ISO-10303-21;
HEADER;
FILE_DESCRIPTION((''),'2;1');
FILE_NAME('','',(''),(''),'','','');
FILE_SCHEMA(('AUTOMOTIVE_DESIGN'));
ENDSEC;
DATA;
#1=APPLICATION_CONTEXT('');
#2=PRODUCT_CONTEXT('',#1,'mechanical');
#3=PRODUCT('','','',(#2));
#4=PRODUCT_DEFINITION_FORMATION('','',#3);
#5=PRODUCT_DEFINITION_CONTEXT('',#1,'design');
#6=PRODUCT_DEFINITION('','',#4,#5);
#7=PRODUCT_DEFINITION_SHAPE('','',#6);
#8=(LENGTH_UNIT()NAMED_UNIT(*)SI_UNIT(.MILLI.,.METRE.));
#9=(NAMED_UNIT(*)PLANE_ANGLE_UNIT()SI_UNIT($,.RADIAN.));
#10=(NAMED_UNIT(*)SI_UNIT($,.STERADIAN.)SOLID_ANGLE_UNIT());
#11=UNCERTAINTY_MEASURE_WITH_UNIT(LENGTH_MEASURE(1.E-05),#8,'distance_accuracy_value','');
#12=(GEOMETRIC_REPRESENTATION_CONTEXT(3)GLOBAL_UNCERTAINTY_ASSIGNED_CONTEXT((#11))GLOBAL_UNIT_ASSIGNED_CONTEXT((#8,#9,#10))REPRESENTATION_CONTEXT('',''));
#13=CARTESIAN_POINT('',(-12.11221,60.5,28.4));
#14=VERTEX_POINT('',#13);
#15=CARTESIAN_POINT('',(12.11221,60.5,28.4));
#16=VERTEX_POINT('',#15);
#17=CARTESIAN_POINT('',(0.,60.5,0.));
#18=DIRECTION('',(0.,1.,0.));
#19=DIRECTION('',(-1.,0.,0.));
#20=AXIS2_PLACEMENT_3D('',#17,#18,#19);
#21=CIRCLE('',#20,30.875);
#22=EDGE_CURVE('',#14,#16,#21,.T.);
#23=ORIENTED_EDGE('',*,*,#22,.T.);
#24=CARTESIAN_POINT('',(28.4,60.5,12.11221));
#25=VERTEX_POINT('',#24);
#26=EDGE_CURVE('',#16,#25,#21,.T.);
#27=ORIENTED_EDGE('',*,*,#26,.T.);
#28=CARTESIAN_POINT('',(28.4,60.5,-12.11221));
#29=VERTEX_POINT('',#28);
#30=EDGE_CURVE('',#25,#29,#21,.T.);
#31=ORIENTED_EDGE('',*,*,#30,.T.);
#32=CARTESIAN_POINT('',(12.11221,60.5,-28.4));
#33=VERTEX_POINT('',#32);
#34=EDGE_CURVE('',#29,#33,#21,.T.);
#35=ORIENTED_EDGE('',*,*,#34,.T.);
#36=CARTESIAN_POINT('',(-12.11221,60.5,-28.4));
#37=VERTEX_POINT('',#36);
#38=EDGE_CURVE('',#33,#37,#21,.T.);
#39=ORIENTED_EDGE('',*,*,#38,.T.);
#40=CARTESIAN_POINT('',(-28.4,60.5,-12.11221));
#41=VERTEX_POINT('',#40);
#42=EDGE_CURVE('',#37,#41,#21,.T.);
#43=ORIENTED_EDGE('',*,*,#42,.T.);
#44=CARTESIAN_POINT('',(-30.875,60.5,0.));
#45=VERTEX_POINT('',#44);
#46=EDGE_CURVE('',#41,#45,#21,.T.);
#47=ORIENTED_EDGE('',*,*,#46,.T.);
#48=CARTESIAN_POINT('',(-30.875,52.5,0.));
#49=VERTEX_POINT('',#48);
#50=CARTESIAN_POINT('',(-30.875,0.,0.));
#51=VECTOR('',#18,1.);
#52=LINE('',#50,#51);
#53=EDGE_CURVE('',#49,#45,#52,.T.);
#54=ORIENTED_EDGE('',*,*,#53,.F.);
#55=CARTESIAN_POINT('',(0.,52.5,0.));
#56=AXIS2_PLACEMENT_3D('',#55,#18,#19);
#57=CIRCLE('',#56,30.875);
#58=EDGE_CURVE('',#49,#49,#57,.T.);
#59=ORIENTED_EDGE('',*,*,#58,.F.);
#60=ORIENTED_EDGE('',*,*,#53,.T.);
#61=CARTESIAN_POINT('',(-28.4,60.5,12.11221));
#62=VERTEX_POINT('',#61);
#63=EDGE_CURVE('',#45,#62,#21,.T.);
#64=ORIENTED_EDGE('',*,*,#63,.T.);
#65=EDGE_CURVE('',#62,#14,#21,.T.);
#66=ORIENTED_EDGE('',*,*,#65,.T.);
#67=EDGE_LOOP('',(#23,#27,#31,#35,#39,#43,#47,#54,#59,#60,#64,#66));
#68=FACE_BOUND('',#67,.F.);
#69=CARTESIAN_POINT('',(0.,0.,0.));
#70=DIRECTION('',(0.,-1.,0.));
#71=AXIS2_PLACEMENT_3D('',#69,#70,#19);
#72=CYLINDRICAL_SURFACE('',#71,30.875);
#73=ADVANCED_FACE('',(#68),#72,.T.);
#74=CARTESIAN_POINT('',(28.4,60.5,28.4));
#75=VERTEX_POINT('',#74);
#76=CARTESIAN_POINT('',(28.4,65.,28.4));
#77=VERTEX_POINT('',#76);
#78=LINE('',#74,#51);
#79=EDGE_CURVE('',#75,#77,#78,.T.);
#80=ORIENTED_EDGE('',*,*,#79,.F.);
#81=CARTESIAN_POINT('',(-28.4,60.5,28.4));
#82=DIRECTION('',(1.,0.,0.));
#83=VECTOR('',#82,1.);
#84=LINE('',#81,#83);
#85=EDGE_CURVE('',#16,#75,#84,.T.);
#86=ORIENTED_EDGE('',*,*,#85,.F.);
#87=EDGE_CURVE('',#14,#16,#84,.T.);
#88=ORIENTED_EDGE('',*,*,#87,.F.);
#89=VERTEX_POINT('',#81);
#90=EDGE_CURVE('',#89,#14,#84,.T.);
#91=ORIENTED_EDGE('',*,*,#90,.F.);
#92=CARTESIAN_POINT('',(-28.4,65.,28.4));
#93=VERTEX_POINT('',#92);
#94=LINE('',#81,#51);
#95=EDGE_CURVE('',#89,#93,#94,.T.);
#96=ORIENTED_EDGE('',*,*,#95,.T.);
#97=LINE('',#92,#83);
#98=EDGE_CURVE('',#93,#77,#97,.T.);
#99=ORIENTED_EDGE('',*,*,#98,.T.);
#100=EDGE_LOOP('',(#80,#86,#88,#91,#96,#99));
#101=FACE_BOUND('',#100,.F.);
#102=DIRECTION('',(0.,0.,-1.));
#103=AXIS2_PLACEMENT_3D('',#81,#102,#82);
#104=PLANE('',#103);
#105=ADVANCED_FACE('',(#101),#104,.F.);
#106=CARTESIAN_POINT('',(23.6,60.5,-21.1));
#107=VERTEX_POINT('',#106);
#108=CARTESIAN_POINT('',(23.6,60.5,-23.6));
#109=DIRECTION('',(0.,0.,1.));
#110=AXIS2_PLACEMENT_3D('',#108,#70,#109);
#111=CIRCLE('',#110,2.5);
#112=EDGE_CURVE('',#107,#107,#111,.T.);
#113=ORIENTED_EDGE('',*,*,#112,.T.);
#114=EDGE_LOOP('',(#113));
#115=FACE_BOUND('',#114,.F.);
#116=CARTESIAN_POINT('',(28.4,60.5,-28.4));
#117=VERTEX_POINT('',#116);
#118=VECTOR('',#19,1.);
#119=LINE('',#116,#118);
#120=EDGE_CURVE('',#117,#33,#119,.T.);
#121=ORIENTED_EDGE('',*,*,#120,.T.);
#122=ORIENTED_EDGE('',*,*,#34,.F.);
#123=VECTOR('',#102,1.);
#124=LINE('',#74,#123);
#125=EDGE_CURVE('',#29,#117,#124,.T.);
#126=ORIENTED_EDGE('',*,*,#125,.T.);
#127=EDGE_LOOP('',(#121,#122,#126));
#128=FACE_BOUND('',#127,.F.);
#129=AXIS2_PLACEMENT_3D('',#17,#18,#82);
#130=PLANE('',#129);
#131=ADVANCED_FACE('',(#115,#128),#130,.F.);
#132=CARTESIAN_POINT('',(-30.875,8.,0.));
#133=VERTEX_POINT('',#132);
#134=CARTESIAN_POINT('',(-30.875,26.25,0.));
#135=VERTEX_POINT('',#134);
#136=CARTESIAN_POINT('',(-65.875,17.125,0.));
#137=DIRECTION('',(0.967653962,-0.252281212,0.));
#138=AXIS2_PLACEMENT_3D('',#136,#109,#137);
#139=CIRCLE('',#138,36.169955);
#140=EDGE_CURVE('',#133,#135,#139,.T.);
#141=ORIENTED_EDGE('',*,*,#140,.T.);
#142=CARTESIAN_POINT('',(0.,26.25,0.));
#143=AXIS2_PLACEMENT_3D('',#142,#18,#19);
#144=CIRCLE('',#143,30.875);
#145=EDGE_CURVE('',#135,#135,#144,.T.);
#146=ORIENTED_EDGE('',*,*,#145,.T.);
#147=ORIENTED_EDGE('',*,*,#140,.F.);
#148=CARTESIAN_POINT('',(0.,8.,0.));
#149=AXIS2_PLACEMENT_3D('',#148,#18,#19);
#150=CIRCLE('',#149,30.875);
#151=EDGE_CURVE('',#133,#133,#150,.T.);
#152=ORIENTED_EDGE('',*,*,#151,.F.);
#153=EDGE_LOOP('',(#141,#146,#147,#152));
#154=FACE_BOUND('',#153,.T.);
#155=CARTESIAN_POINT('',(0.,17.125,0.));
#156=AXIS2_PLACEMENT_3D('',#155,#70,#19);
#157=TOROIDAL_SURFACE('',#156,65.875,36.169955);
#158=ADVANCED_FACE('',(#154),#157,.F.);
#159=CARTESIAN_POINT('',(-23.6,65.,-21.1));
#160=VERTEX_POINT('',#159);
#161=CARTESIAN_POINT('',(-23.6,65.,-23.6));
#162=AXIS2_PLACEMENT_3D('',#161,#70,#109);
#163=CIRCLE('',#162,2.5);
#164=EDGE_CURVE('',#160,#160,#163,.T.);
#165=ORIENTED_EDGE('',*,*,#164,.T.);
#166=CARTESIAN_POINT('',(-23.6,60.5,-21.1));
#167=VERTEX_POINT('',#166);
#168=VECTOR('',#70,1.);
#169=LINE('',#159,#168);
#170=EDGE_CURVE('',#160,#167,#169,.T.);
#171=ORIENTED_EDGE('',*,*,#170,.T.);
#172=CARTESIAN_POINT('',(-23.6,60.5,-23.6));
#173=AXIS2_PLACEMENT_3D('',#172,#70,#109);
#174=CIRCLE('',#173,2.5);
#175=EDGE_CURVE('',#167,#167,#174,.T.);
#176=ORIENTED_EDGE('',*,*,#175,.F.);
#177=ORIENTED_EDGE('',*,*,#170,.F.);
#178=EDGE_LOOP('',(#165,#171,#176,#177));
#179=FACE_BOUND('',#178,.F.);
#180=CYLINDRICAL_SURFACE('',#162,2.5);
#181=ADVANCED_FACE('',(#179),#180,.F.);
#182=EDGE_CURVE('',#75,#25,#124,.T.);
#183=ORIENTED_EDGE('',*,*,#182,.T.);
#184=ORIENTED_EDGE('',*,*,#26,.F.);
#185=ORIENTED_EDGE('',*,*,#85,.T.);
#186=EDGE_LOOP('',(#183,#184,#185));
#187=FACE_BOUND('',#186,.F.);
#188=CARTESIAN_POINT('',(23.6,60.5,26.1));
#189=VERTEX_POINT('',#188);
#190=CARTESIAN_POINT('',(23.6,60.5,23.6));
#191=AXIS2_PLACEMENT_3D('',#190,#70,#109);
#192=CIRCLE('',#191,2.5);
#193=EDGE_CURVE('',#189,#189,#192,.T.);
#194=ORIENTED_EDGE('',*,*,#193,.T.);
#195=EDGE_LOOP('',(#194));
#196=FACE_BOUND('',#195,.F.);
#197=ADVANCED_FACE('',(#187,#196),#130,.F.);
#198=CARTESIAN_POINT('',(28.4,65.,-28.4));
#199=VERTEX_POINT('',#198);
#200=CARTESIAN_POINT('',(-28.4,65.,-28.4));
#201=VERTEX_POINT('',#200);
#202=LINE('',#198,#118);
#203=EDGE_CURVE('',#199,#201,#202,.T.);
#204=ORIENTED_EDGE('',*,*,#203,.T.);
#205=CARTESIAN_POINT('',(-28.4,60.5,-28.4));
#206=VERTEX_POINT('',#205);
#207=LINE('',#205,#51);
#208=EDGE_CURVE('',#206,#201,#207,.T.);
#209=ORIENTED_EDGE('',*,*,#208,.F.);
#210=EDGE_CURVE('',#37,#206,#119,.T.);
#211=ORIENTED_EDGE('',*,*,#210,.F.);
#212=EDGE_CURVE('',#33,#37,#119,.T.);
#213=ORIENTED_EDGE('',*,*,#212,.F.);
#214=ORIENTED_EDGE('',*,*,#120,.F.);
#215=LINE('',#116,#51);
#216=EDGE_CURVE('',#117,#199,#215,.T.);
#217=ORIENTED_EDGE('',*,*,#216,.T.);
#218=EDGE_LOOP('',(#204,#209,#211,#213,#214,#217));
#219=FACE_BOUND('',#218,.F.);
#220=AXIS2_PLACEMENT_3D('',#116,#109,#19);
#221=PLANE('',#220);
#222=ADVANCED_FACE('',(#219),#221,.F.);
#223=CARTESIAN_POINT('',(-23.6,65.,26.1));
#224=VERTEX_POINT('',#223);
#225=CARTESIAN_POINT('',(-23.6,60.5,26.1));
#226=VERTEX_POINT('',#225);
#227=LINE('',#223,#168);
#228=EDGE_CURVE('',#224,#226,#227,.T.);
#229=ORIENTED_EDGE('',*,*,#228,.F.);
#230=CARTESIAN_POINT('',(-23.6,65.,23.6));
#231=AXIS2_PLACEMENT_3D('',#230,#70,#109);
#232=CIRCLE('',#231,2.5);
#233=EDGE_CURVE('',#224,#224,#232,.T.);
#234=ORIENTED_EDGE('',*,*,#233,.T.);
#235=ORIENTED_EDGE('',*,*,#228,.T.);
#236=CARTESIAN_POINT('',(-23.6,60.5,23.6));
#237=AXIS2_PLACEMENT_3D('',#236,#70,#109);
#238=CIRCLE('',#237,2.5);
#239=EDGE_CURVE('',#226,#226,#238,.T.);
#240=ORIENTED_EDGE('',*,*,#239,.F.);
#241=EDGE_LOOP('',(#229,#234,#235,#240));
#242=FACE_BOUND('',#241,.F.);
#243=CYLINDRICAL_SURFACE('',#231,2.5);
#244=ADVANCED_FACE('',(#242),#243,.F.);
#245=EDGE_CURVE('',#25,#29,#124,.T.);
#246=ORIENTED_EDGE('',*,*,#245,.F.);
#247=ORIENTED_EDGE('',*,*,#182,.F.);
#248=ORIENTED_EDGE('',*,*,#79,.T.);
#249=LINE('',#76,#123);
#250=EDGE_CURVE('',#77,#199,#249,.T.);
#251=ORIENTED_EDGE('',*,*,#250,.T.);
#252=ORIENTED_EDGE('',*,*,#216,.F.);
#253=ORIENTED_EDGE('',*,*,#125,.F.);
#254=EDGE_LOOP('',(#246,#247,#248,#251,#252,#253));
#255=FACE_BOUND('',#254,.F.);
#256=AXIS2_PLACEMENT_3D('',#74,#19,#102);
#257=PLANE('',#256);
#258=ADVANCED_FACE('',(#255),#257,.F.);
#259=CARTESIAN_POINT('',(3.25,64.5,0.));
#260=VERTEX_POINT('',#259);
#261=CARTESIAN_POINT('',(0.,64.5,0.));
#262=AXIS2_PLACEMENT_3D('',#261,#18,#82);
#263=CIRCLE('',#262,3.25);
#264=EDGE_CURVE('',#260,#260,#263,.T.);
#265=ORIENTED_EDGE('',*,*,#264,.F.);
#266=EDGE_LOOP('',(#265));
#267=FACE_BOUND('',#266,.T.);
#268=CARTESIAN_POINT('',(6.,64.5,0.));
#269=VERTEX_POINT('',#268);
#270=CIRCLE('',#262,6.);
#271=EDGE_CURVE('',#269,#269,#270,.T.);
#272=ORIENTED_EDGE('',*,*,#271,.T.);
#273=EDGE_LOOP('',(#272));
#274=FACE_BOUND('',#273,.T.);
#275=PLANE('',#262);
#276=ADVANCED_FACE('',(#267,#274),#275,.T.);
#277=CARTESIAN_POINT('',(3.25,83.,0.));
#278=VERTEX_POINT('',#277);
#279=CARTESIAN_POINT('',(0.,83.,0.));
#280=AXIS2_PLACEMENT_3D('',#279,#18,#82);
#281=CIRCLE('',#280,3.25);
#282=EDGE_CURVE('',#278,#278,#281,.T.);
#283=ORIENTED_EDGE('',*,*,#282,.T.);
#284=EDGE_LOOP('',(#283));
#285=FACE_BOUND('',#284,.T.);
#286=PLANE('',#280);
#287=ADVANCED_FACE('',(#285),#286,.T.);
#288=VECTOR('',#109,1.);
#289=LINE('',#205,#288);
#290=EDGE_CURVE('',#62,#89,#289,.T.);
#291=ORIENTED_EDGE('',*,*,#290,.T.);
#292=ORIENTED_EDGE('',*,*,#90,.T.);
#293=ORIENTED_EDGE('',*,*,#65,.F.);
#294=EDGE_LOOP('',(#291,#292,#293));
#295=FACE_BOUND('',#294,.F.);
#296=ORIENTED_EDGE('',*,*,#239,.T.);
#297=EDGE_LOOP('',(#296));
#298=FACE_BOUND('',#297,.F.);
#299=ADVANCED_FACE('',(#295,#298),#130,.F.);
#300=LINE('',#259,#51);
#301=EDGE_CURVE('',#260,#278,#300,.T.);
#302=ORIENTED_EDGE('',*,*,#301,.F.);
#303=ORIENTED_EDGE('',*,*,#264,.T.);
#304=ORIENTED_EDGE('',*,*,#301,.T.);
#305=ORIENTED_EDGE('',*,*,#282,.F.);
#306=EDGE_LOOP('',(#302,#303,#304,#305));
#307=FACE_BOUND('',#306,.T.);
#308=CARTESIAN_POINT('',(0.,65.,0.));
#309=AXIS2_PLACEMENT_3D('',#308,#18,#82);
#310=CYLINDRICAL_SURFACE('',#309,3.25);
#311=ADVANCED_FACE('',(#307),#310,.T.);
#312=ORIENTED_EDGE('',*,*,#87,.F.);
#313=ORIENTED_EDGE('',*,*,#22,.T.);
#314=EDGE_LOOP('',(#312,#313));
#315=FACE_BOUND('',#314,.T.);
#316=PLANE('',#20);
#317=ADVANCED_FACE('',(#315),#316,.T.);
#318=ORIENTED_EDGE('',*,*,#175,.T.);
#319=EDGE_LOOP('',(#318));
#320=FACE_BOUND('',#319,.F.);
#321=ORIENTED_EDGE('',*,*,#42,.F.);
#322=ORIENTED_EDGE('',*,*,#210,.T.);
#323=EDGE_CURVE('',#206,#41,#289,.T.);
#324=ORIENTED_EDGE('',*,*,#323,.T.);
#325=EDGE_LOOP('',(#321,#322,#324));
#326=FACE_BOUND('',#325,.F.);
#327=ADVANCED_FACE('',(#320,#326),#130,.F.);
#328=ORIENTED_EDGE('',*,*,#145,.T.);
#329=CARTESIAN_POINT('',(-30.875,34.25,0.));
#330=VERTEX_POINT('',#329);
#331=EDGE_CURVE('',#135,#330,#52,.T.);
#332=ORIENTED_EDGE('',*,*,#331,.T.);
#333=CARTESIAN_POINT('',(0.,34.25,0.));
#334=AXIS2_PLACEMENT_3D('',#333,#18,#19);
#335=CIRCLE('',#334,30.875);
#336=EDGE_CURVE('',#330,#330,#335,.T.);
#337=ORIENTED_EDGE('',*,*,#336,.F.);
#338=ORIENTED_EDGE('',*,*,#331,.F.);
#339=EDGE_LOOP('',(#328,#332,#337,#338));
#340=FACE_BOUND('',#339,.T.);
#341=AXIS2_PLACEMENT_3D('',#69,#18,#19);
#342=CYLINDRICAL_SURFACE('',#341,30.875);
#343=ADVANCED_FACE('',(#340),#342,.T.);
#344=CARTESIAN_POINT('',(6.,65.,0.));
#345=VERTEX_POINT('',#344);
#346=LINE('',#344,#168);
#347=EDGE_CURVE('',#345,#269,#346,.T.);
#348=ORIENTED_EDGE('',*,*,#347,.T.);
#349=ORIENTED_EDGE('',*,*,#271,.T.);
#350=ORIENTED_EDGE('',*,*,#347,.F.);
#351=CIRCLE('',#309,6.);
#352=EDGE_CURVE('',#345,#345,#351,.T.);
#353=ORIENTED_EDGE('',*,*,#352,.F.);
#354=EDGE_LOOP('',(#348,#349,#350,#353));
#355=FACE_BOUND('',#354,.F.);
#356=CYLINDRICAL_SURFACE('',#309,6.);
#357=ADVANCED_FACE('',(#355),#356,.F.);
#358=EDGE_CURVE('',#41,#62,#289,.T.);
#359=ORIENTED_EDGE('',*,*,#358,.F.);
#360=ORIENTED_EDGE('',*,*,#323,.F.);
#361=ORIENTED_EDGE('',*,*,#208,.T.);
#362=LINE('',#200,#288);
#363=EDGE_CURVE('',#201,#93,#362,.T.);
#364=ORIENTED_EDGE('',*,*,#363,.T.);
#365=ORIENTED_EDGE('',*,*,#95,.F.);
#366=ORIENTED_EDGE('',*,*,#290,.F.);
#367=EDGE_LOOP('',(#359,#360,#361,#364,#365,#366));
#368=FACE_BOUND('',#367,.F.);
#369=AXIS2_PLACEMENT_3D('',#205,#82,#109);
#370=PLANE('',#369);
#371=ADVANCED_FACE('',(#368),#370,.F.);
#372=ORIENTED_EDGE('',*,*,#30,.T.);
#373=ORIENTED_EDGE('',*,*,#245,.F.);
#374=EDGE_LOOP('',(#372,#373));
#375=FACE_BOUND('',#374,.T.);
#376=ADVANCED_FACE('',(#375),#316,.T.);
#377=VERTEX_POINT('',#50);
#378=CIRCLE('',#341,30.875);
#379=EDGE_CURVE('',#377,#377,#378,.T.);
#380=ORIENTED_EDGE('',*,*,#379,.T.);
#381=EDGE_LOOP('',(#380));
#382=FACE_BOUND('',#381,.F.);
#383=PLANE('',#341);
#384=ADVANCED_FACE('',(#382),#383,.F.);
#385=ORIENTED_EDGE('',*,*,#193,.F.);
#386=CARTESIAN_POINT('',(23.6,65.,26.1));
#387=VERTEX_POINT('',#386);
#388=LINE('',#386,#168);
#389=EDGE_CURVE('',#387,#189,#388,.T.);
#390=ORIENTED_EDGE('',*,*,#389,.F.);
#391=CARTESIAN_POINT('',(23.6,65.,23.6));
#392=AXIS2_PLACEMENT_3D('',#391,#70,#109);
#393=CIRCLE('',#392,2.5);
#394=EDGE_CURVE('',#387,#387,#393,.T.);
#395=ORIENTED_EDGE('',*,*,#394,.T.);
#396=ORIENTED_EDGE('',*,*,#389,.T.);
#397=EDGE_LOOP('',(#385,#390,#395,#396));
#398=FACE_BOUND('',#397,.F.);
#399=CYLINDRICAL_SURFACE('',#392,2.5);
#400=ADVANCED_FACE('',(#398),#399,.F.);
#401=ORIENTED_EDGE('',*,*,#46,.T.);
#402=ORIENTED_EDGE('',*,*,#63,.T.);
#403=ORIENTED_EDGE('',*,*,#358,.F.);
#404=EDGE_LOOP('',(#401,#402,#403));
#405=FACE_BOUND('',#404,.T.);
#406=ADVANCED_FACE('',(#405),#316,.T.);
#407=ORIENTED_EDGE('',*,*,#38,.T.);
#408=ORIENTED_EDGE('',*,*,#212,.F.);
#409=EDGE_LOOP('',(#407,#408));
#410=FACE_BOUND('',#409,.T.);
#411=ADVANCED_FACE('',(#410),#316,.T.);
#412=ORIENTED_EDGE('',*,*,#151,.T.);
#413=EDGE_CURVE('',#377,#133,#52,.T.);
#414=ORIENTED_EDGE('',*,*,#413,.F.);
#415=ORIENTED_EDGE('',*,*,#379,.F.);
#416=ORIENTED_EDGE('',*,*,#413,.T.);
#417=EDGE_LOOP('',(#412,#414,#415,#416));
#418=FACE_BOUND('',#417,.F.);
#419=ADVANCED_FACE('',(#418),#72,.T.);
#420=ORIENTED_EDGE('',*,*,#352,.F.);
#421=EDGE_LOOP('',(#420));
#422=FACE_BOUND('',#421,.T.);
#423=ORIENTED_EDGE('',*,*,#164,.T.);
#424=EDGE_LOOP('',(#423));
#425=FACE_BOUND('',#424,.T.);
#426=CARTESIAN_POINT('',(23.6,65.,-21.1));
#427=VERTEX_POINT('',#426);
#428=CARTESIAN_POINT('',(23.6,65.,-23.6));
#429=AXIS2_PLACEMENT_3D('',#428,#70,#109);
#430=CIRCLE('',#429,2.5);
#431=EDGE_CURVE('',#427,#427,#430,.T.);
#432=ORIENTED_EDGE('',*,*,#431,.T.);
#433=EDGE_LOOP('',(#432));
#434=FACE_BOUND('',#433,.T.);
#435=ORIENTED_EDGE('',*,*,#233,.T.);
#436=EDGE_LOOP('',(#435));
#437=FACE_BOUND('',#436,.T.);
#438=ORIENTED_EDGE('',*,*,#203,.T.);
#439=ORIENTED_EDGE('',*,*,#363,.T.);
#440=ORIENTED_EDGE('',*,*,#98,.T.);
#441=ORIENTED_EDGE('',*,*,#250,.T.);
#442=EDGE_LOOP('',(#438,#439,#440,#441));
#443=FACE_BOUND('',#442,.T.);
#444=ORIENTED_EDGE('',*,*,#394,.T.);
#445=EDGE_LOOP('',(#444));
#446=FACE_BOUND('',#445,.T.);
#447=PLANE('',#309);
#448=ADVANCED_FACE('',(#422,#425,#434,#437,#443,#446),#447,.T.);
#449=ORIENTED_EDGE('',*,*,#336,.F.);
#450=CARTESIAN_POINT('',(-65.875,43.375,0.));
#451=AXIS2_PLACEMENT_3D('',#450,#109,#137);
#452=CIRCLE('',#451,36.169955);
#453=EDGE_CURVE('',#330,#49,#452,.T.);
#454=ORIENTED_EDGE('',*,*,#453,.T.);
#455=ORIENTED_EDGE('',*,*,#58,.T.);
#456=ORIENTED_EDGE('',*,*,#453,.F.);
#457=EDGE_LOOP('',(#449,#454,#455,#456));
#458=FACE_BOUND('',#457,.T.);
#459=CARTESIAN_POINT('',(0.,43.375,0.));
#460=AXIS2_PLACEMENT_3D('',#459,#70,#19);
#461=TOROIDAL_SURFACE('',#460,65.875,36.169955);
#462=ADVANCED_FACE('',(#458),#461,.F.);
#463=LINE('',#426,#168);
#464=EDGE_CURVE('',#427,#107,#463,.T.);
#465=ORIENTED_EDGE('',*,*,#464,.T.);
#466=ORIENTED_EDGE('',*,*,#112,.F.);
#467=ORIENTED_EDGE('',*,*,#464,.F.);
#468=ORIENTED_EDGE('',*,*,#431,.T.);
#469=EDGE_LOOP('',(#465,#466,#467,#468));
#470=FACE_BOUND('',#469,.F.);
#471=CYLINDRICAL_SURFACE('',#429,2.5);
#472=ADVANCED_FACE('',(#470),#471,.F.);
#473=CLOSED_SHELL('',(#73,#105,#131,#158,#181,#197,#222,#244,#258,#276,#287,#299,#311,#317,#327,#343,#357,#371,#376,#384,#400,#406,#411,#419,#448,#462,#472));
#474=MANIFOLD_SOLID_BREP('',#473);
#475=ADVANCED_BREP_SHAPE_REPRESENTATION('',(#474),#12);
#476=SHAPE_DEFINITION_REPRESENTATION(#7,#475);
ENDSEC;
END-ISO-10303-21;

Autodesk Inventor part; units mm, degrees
ref_plane "YZ Plane" through (0, 0, 0) normal (1, 0, 0) x (0, 1, 0)
ref_plane "XZ Plane" through (0, 0, 0) normal (0, 1, 0) x (-1, 0, 0)
ref_plane "XY Plane" through (0, 0, 0) normal (0, 0, 1) x (1, 0, 0)
sketch "Esboço1" plane through (0, 0, 0) normal (0, 1, 0) x (-1, 0, 0)
  circle A0 centre (0, 0) radius 30.875
  dimension "d0" = 61.75
extrude "Extrusão1" add sketch "Esboço1" along normal blind 60.5
sketch "Esboço2" plane through (0, 60.5, 0) normal (0, 1, 0) x (1, 0, 0)
  line L0 (-28.4, -28.4) -> (28.4, -28.4)
  line L1 (28.4, -28.4) -> (28.4, 28.4)
  line L2 (28.4, 28.4) -> (-28.4, 28.4)
  line L3 (-28.4, 28.4) -> (-28.4, -28.4)
  point P0 (0, 0)
  dimension "d3" = 56.8
  dimension "d4" = 56.8
  dimension "d5" = 28.4
  dimension "d6" = 28.4
extrude "Extrusão2" add sketch "Esboço2" along normal blind 4.5
sketch "Esboço3" plane through (0, 65, 0) normal (0, 1, 0) x (1, 0, 0)
  line L0 (-28.4, -28.4) -> (28.4, -28.4) projected
  line L1 (28.4, -28.4) -> (28.4, 28.4) projected
  line L2 (-28.4, 28.4) -> (-28.4, -28.4) projected
  line L3 (28.4, 28.4) -> (-28.4, 28.4) projected
  point P0 (0, 0)
  point P1 (23.6, -23.6)
  point P2 (-23.6, -23.6)
  point P3 (-23.6, 23.6)
  point P4 (23.6, 23.6)
  dimension "d9" = 4.8
  dimension "d10" = 4.8
  dimension "d11" = 4.8
  dimension "d12" = 4.8
  dimension "d13" = 4.8
  dimension "d14" = 4.8
  dimension "d15" = 4.8
  dimension "d16" = 4.8
hole "Furo1" at (23.6, 65, 23.6) at (-23.6, 65, 23.6) at (-23.6, 65, -23.6) at (23.6, 65, -23.6) direction (0, -1, 0) diameter 5 depth 4.5
sketch "Esboço4" plane through (0, 65, 0) normal (0, 1, 0) x (1, 0, 0)
  circle A0 centre (0, 0) radius 3.25
  dimension "d24" = 6.5
extrude "Extrusão3" add sketch "Esboço4" along normal blind 18
sketch "Esboço5" plane through (0, 65, 0) normal (0, 1, 0) x (1, 0, 0)
  circle A0 centre (0, 0) radius 6
  circle A1 centre (0, 0) radius 3.25 projected
  dimension "d27" = 12
extrude "Extrusão4" cut sketch "Esboço5" against normal blind 0.5
sketch "Esboço6" plane through (0, 0, 0) normal (0, 0, 1) x (1, 0, 0)
  line L0 (0, 0) -> (0, 60.5)
  line L1 (-12.1122, 60.5) -> (12.1122, 60.5) projected
  line L2 (0, 60.5) -> (-30.875, 60.5)
  line L3 (-30.875, 60.5) -> (-30.875, 52.5)
  line L4 (-30.875, 0) -> (-30.875, 60.5) projected
  arc A0 (-30.875, 34.25) -> (-30.875, 52.5) centre (-65.875, 43.375) ccw
  line L5 (30.875, 0) -> (-30.875, 0) projected
  line L6 (-30.875, 0) -> (-30.875, 8)
  arc A1 (-30.875, 8) -> (-30.875, 26.25) centre (-65.875, 17.125) ccw
  line L7 (-30.875, 26.25) -> (-30.875, 34.25)
  line L8 (-30.875, 0) -> (0, 0)
  line L9 (-30.875, 60.5) -> (-66.7077, 60.5)
  line L10 (-66.7077, 60.5) -> (-66.7077, 0)
  line L11 (-66.7077, 0) -> (-30.875, 0)
  dimension "d32" = 0
  dimension "d33" = 35
  dimension "d34" = 0
  dimension "d36" = 8
  dimension "d37" = 8
  dimension "d40" = 8
revolve "Revolução1" cut sketch "Esboço6" angle 360 about axis through (0, 0, 0) along (0, 1, 0) contours L11 L10 L9 L3 L4 | L4 A1 | A0 L4
equation "\"d4\" = d3"
equation "\"d5\" = 0.5 * d3"
equation "\"d6\" = 0.5 * d4"
equation "\"d10\" = d9"
equation "\"d11\" = d10"
equation "\"d12\" = d10"
equation "\"d13\" = d12"
equation "\"d14\" = d10"
equation "\"d15\" = d9"
equation "\"d16\" = d9"
equation "\"d22\" = Espessura"
equation "\"Raio_vergadura\" = Espessura"
equation "\"Largura_alívio_de_vergadura\" = Espessura"
equation "\"Profundidade_alívio_de_vergadura\" = 0.5 * Espessura"
equation "\"Tamanho_alívio_de_dobra\" = 4 * Espessura"
equation "\"Remanescente_mínimo\" = 2 * Espessura"
equation "\"Raiodetransição\" = Raio_vergadura"
equation "\"Tamanho_de_raio_de_Jacobi\" = Raio_vergadura"
equation "\"TamanhoFolga\" = Espessura"
equation "\"Espessura\" = 0.5"
properties part number "Motor" material "Steel"
